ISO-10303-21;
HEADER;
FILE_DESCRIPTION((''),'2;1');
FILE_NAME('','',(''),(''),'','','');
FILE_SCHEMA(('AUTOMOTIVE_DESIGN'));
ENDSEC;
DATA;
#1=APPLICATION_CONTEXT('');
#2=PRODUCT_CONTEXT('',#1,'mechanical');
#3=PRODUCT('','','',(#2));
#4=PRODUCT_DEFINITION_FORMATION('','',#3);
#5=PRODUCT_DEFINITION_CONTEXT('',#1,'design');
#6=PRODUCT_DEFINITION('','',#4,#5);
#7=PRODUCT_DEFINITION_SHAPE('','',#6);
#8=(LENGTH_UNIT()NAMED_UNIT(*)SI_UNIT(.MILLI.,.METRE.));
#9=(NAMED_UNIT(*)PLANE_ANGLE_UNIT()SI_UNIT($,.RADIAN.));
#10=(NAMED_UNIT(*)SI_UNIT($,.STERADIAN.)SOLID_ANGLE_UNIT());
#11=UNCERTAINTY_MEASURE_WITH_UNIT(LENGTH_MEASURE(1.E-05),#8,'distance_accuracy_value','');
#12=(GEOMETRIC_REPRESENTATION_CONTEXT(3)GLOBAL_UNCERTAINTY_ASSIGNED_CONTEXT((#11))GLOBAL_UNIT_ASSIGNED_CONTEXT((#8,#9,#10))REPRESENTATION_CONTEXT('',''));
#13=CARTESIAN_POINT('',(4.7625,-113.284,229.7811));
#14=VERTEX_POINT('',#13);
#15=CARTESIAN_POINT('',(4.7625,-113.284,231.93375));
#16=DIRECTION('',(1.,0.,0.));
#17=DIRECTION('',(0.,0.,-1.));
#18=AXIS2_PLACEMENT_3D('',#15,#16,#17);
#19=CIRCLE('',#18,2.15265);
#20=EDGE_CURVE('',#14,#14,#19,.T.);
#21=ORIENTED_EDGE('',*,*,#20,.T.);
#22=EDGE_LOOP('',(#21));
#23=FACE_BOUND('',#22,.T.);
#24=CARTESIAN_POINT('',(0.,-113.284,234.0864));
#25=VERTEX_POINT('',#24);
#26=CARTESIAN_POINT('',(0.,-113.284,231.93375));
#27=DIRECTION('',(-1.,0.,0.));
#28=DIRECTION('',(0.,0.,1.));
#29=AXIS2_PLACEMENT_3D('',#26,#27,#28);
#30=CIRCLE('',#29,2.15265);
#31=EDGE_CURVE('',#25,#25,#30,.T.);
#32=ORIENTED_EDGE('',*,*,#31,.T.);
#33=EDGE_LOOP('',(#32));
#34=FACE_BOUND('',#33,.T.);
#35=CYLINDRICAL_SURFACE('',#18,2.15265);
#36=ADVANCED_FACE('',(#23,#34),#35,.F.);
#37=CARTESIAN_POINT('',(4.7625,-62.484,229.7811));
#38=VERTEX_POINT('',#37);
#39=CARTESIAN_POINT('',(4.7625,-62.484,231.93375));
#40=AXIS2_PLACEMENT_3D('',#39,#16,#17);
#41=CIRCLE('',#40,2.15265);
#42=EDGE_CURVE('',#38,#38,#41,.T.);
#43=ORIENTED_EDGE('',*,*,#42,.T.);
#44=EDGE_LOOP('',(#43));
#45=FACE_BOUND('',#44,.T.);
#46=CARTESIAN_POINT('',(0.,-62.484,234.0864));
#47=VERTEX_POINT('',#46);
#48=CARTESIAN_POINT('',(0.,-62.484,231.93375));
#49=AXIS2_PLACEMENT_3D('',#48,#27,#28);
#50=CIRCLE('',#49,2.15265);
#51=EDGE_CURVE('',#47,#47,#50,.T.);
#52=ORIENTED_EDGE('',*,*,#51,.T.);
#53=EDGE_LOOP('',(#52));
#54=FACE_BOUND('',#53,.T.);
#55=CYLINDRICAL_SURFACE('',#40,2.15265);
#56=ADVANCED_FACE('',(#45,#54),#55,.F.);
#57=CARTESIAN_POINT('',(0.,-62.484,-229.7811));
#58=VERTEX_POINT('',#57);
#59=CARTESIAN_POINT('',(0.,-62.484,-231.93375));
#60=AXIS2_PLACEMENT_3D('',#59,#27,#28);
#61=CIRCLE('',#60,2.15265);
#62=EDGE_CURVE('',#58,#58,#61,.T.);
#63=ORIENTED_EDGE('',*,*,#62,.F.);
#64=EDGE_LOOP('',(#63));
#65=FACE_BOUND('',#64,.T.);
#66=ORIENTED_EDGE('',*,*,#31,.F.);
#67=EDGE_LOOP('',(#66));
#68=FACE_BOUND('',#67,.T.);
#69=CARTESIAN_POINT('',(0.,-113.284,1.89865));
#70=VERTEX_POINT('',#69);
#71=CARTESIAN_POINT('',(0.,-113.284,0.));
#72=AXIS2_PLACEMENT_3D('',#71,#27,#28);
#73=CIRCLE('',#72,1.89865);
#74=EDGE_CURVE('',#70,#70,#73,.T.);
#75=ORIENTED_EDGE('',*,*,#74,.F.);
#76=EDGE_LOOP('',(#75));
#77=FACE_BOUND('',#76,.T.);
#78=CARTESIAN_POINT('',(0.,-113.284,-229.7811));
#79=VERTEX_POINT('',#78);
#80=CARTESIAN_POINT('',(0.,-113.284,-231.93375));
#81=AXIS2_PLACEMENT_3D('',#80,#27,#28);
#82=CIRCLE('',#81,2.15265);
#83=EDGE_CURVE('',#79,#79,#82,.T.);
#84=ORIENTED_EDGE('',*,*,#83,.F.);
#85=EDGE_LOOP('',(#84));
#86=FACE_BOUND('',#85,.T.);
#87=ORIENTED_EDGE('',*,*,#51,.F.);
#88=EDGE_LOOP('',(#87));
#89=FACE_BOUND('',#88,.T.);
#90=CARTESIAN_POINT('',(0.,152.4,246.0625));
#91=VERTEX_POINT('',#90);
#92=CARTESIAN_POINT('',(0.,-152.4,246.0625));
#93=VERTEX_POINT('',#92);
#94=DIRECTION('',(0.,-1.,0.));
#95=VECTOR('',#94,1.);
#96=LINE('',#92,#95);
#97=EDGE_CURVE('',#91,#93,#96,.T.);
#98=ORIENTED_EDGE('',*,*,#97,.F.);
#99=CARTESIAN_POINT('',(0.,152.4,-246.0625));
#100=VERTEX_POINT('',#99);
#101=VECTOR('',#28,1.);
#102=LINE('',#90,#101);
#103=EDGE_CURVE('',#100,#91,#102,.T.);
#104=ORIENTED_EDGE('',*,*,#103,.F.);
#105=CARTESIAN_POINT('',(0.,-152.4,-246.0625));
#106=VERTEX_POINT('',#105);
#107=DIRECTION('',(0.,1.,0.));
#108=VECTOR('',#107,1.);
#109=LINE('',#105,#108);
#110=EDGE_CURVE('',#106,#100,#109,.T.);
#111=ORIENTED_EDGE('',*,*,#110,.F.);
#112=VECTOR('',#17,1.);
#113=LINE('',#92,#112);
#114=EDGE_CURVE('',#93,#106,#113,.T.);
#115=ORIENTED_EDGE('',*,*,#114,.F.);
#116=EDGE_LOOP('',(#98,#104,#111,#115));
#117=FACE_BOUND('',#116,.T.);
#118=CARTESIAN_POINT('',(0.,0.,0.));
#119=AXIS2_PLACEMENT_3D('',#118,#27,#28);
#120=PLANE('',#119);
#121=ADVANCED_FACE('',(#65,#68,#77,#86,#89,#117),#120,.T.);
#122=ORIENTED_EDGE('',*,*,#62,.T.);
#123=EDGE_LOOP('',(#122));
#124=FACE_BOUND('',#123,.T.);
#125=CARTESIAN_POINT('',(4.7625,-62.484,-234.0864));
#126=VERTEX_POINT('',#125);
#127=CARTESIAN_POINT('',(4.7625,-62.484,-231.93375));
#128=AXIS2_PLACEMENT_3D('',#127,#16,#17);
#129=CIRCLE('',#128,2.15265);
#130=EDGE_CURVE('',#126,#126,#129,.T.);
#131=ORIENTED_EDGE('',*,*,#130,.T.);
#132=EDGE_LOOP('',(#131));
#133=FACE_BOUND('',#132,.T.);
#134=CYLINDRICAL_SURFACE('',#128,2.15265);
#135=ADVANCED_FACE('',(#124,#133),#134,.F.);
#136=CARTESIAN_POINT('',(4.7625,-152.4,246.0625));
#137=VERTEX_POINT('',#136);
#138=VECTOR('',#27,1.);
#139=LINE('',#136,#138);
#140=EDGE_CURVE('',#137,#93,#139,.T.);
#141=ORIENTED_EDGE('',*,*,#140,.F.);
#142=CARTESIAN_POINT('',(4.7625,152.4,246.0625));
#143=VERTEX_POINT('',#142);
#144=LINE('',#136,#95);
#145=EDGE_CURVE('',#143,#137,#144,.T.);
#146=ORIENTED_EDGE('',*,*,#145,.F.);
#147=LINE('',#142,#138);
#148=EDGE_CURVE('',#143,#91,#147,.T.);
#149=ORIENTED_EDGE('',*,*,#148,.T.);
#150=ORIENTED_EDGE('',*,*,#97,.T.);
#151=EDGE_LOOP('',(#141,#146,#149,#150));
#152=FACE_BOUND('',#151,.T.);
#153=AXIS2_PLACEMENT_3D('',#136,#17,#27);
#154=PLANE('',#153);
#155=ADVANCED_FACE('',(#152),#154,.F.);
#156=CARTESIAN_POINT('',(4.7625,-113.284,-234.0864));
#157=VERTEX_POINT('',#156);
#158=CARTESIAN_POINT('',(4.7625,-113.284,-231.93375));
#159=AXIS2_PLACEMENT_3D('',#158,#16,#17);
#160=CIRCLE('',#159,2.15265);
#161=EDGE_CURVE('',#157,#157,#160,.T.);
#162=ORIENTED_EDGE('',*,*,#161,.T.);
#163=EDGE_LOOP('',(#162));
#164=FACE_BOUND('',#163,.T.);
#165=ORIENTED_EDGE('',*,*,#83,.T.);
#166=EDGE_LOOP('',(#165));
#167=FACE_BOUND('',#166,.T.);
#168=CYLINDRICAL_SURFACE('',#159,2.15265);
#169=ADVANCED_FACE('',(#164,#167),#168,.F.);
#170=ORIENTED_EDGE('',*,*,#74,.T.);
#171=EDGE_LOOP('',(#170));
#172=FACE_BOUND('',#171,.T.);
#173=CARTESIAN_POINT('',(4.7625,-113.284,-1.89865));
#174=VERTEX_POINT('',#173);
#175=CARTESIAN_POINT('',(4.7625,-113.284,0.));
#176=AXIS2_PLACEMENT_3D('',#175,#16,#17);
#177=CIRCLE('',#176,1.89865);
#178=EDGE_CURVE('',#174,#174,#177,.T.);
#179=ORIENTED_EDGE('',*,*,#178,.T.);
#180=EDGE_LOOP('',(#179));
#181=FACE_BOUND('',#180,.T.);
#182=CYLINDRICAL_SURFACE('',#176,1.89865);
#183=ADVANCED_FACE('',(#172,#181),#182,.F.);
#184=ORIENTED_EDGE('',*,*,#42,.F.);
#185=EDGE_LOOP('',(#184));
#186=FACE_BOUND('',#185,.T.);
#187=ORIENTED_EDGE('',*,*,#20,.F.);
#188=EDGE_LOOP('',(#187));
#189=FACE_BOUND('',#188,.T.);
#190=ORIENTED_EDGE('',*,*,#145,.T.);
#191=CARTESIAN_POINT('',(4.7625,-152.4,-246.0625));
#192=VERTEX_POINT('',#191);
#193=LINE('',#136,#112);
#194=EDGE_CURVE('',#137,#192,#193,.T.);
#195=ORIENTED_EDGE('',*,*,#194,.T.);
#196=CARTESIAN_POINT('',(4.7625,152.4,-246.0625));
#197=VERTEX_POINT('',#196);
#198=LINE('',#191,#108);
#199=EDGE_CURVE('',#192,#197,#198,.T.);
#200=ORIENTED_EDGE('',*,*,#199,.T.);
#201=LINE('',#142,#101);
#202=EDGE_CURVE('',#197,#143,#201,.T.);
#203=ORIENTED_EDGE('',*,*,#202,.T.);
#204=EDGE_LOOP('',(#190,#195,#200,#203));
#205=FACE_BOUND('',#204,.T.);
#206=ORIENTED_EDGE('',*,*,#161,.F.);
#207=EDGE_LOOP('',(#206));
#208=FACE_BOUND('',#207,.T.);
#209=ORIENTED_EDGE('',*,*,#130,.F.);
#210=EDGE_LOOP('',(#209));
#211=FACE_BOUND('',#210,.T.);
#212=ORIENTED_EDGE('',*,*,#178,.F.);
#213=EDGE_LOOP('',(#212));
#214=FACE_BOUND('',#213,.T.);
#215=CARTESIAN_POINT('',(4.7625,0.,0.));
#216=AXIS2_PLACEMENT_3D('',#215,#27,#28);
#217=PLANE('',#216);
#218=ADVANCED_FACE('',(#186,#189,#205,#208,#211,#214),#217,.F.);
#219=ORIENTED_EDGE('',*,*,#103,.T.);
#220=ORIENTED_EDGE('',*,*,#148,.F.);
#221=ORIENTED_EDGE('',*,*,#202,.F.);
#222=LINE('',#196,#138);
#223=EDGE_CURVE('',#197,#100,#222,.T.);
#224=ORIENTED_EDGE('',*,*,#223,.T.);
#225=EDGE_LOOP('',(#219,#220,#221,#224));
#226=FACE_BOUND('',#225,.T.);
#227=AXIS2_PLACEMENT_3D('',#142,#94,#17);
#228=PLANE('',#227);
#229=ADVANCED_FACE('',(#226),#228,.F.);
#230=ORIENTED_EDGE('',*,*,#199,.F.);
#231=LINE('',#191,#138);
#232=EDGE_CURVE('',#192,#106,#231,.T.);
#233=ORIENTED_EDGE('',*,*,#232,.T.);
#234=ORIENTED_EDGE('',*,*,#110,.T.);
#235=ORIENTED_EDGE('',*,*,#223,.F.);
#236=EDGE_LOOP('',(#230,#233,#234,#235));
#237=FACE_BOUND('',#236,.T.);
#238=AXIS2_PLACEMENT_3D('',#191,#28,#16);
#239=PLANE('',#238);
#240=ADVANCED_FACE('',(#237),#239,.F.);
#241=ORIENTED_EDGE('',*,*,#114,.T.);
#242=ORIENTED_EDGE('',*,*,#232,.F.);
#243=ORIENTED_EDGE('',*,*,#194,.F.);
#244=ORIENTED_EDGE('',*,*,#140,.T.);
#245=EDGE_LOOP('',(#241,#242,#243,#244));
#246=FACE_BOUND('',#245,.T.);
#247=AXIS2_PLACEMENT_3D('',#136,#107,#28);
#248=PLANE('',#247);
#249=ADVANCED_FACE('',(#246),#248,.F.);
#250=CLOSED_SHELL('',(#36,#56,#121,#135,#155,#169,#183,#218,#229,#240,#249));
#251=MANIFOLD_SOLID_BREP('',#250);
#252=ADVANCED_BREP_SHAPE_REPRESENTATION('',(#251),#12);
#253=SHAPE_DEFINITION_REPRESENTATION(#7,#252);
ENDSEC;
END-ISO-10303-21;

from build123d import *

# Parameters (mm, degrees)
SKETCH1_W                 = 492.125
SKETCH1_H                 = 304.8
BOSS_EXTRUDE1_DEPTH       = 4.7625
CUT_EXTRUDE1_REACH        = 6.763
BOSS_EXTRUDE2_REACH       = 494.125
SKETCH3_W                 = 4.7625
SKETCH3_H                 = 304.8
F_8_CLEARANCE_HOLE1_D     = 4.3053
F_8_CLEARANCE_HOLE1_DEPTH = 74.422
F_8_CLEARANCE_HOLE1_TIP   = 1.293442612
F_6_CLEARANCE_HOLE1_D     = 3.7973
F_6_CLEARANCE_HOLE1_DEPTH = 25.4
F_6_CLEARANCE_HOLE1_TIP   = 1.140824014


with BuildPart() as part:
    # Sketch1 → Boss-Extrude1 (new body)
    with BuildSketch(Plane(origin=(0, 0, 0), x_dir=(0, 0, -1), z_dir=(1, 0, 0))):
        Rectangle(SKETCH1_W, SKETCH1_H)
    extrude(amount=BOSS_EXTRUDE1_DEPTH)

    # Sketch2 → Cut-Extrude1 (cut, up to next)
    with BuildSketch(Plane(origin=(4.7625, 0, 0), x_dir=(0, 0, -1), z_dir=(1, 0, 0)), mode=Mode.PRIVATE) as cut_extrude1_sk1:
        Polygon((-24.852813742, -60), (24.852813742, -60), (42.426406871, -42.426406871), (60, -24.852813742), (60, 24.852813742), (24.852813742, 60), (-24.852813742, 60), (-60, 24.852813742), (-60, -24.852813742), align=None)
    cut_extrude1_tool1 = extrude(cut_extrude1_sk1.sketch, amount=-CUT_EXTRUDE1_REACH, mode=Mode.PRIVATE) & part.part
    add(cut_extrude1_tool1.solids().sort_by_distance((4.7625, 0, 0))[0], mode=Mode.SUBTRACT)

    # Sketch3 → Boss-Extrude2 (add, up to next)
    with BuildSketch(Plane.XY.offset(246.0625), mode=Mode.PRIVATE) as boss_extrude2_sk1:
        with Locations((2.38125, 0)):
            Rectangle(SKETCH3_W, SKETCH3_H)
    boss_extrude2_tool1 = extrude(boss_extrude2_sk1.sketch, amount=-BOSS_EXTRUDE2_REACH, mode=Mode.PRIVATE) - part.part
    add(boss_extrude2_tool1.solids().sort_by_distance((2.38125, 0, 246.0625))[0])

    # #8 Clearance Hole1
    with Locations(Plane(origin=(4.7625, 0, 0), x_dir=(0, 0, -1), z_dir=(1, 0, 0))):
        with Locations((-231.93375, -113.284), (-231.93375, -62.484), (231.93375, -62.484), (231.93375, -113.284)):
            Hole(F_8_CLEARANCE_HOLE1_D / 2, depth=F_8_CLEARANCE_HOLE1_DEPTH)
            with Locations((0, 0, -(F_8_CLEARANCE_HOLE1_DEPTH + F_8_CLEARANCE_HOLE1_TIP / 2))):  # 118° drill point
                Cone(0, F_8_CLEARANCE_HOLE1_D / 2, F_8_CLEARANCE_HOLE1_TIP, mode=Mode.SUBTRACT)

    # #6 Clearance Hole1
    with Locations(Plane(origin=(4.7625, 0, 0), x_dir=(0, 0, -1), z_dir=(1, 0, 0))):
        with Locations((0, -113.284)):
            Hole(F_6_CLEARANCE_HOLE1_D / 2, depth=F_6_CLEARANCE_HOLE1_DEPTH)
            with Locations((0, 0, -(F_6_CLEARANCE_HOLE1_DEPTH + F_6_CLEARANCE_HOLE1_TIP / 2))):  # 118° drill point
                Cone(0, F_6_CLEARANCE_HOLE1_D / 2, F_6_CLEARANCE_HOLE1_TIP, mode=Mode.SUBTRACT)


solid = part.part
